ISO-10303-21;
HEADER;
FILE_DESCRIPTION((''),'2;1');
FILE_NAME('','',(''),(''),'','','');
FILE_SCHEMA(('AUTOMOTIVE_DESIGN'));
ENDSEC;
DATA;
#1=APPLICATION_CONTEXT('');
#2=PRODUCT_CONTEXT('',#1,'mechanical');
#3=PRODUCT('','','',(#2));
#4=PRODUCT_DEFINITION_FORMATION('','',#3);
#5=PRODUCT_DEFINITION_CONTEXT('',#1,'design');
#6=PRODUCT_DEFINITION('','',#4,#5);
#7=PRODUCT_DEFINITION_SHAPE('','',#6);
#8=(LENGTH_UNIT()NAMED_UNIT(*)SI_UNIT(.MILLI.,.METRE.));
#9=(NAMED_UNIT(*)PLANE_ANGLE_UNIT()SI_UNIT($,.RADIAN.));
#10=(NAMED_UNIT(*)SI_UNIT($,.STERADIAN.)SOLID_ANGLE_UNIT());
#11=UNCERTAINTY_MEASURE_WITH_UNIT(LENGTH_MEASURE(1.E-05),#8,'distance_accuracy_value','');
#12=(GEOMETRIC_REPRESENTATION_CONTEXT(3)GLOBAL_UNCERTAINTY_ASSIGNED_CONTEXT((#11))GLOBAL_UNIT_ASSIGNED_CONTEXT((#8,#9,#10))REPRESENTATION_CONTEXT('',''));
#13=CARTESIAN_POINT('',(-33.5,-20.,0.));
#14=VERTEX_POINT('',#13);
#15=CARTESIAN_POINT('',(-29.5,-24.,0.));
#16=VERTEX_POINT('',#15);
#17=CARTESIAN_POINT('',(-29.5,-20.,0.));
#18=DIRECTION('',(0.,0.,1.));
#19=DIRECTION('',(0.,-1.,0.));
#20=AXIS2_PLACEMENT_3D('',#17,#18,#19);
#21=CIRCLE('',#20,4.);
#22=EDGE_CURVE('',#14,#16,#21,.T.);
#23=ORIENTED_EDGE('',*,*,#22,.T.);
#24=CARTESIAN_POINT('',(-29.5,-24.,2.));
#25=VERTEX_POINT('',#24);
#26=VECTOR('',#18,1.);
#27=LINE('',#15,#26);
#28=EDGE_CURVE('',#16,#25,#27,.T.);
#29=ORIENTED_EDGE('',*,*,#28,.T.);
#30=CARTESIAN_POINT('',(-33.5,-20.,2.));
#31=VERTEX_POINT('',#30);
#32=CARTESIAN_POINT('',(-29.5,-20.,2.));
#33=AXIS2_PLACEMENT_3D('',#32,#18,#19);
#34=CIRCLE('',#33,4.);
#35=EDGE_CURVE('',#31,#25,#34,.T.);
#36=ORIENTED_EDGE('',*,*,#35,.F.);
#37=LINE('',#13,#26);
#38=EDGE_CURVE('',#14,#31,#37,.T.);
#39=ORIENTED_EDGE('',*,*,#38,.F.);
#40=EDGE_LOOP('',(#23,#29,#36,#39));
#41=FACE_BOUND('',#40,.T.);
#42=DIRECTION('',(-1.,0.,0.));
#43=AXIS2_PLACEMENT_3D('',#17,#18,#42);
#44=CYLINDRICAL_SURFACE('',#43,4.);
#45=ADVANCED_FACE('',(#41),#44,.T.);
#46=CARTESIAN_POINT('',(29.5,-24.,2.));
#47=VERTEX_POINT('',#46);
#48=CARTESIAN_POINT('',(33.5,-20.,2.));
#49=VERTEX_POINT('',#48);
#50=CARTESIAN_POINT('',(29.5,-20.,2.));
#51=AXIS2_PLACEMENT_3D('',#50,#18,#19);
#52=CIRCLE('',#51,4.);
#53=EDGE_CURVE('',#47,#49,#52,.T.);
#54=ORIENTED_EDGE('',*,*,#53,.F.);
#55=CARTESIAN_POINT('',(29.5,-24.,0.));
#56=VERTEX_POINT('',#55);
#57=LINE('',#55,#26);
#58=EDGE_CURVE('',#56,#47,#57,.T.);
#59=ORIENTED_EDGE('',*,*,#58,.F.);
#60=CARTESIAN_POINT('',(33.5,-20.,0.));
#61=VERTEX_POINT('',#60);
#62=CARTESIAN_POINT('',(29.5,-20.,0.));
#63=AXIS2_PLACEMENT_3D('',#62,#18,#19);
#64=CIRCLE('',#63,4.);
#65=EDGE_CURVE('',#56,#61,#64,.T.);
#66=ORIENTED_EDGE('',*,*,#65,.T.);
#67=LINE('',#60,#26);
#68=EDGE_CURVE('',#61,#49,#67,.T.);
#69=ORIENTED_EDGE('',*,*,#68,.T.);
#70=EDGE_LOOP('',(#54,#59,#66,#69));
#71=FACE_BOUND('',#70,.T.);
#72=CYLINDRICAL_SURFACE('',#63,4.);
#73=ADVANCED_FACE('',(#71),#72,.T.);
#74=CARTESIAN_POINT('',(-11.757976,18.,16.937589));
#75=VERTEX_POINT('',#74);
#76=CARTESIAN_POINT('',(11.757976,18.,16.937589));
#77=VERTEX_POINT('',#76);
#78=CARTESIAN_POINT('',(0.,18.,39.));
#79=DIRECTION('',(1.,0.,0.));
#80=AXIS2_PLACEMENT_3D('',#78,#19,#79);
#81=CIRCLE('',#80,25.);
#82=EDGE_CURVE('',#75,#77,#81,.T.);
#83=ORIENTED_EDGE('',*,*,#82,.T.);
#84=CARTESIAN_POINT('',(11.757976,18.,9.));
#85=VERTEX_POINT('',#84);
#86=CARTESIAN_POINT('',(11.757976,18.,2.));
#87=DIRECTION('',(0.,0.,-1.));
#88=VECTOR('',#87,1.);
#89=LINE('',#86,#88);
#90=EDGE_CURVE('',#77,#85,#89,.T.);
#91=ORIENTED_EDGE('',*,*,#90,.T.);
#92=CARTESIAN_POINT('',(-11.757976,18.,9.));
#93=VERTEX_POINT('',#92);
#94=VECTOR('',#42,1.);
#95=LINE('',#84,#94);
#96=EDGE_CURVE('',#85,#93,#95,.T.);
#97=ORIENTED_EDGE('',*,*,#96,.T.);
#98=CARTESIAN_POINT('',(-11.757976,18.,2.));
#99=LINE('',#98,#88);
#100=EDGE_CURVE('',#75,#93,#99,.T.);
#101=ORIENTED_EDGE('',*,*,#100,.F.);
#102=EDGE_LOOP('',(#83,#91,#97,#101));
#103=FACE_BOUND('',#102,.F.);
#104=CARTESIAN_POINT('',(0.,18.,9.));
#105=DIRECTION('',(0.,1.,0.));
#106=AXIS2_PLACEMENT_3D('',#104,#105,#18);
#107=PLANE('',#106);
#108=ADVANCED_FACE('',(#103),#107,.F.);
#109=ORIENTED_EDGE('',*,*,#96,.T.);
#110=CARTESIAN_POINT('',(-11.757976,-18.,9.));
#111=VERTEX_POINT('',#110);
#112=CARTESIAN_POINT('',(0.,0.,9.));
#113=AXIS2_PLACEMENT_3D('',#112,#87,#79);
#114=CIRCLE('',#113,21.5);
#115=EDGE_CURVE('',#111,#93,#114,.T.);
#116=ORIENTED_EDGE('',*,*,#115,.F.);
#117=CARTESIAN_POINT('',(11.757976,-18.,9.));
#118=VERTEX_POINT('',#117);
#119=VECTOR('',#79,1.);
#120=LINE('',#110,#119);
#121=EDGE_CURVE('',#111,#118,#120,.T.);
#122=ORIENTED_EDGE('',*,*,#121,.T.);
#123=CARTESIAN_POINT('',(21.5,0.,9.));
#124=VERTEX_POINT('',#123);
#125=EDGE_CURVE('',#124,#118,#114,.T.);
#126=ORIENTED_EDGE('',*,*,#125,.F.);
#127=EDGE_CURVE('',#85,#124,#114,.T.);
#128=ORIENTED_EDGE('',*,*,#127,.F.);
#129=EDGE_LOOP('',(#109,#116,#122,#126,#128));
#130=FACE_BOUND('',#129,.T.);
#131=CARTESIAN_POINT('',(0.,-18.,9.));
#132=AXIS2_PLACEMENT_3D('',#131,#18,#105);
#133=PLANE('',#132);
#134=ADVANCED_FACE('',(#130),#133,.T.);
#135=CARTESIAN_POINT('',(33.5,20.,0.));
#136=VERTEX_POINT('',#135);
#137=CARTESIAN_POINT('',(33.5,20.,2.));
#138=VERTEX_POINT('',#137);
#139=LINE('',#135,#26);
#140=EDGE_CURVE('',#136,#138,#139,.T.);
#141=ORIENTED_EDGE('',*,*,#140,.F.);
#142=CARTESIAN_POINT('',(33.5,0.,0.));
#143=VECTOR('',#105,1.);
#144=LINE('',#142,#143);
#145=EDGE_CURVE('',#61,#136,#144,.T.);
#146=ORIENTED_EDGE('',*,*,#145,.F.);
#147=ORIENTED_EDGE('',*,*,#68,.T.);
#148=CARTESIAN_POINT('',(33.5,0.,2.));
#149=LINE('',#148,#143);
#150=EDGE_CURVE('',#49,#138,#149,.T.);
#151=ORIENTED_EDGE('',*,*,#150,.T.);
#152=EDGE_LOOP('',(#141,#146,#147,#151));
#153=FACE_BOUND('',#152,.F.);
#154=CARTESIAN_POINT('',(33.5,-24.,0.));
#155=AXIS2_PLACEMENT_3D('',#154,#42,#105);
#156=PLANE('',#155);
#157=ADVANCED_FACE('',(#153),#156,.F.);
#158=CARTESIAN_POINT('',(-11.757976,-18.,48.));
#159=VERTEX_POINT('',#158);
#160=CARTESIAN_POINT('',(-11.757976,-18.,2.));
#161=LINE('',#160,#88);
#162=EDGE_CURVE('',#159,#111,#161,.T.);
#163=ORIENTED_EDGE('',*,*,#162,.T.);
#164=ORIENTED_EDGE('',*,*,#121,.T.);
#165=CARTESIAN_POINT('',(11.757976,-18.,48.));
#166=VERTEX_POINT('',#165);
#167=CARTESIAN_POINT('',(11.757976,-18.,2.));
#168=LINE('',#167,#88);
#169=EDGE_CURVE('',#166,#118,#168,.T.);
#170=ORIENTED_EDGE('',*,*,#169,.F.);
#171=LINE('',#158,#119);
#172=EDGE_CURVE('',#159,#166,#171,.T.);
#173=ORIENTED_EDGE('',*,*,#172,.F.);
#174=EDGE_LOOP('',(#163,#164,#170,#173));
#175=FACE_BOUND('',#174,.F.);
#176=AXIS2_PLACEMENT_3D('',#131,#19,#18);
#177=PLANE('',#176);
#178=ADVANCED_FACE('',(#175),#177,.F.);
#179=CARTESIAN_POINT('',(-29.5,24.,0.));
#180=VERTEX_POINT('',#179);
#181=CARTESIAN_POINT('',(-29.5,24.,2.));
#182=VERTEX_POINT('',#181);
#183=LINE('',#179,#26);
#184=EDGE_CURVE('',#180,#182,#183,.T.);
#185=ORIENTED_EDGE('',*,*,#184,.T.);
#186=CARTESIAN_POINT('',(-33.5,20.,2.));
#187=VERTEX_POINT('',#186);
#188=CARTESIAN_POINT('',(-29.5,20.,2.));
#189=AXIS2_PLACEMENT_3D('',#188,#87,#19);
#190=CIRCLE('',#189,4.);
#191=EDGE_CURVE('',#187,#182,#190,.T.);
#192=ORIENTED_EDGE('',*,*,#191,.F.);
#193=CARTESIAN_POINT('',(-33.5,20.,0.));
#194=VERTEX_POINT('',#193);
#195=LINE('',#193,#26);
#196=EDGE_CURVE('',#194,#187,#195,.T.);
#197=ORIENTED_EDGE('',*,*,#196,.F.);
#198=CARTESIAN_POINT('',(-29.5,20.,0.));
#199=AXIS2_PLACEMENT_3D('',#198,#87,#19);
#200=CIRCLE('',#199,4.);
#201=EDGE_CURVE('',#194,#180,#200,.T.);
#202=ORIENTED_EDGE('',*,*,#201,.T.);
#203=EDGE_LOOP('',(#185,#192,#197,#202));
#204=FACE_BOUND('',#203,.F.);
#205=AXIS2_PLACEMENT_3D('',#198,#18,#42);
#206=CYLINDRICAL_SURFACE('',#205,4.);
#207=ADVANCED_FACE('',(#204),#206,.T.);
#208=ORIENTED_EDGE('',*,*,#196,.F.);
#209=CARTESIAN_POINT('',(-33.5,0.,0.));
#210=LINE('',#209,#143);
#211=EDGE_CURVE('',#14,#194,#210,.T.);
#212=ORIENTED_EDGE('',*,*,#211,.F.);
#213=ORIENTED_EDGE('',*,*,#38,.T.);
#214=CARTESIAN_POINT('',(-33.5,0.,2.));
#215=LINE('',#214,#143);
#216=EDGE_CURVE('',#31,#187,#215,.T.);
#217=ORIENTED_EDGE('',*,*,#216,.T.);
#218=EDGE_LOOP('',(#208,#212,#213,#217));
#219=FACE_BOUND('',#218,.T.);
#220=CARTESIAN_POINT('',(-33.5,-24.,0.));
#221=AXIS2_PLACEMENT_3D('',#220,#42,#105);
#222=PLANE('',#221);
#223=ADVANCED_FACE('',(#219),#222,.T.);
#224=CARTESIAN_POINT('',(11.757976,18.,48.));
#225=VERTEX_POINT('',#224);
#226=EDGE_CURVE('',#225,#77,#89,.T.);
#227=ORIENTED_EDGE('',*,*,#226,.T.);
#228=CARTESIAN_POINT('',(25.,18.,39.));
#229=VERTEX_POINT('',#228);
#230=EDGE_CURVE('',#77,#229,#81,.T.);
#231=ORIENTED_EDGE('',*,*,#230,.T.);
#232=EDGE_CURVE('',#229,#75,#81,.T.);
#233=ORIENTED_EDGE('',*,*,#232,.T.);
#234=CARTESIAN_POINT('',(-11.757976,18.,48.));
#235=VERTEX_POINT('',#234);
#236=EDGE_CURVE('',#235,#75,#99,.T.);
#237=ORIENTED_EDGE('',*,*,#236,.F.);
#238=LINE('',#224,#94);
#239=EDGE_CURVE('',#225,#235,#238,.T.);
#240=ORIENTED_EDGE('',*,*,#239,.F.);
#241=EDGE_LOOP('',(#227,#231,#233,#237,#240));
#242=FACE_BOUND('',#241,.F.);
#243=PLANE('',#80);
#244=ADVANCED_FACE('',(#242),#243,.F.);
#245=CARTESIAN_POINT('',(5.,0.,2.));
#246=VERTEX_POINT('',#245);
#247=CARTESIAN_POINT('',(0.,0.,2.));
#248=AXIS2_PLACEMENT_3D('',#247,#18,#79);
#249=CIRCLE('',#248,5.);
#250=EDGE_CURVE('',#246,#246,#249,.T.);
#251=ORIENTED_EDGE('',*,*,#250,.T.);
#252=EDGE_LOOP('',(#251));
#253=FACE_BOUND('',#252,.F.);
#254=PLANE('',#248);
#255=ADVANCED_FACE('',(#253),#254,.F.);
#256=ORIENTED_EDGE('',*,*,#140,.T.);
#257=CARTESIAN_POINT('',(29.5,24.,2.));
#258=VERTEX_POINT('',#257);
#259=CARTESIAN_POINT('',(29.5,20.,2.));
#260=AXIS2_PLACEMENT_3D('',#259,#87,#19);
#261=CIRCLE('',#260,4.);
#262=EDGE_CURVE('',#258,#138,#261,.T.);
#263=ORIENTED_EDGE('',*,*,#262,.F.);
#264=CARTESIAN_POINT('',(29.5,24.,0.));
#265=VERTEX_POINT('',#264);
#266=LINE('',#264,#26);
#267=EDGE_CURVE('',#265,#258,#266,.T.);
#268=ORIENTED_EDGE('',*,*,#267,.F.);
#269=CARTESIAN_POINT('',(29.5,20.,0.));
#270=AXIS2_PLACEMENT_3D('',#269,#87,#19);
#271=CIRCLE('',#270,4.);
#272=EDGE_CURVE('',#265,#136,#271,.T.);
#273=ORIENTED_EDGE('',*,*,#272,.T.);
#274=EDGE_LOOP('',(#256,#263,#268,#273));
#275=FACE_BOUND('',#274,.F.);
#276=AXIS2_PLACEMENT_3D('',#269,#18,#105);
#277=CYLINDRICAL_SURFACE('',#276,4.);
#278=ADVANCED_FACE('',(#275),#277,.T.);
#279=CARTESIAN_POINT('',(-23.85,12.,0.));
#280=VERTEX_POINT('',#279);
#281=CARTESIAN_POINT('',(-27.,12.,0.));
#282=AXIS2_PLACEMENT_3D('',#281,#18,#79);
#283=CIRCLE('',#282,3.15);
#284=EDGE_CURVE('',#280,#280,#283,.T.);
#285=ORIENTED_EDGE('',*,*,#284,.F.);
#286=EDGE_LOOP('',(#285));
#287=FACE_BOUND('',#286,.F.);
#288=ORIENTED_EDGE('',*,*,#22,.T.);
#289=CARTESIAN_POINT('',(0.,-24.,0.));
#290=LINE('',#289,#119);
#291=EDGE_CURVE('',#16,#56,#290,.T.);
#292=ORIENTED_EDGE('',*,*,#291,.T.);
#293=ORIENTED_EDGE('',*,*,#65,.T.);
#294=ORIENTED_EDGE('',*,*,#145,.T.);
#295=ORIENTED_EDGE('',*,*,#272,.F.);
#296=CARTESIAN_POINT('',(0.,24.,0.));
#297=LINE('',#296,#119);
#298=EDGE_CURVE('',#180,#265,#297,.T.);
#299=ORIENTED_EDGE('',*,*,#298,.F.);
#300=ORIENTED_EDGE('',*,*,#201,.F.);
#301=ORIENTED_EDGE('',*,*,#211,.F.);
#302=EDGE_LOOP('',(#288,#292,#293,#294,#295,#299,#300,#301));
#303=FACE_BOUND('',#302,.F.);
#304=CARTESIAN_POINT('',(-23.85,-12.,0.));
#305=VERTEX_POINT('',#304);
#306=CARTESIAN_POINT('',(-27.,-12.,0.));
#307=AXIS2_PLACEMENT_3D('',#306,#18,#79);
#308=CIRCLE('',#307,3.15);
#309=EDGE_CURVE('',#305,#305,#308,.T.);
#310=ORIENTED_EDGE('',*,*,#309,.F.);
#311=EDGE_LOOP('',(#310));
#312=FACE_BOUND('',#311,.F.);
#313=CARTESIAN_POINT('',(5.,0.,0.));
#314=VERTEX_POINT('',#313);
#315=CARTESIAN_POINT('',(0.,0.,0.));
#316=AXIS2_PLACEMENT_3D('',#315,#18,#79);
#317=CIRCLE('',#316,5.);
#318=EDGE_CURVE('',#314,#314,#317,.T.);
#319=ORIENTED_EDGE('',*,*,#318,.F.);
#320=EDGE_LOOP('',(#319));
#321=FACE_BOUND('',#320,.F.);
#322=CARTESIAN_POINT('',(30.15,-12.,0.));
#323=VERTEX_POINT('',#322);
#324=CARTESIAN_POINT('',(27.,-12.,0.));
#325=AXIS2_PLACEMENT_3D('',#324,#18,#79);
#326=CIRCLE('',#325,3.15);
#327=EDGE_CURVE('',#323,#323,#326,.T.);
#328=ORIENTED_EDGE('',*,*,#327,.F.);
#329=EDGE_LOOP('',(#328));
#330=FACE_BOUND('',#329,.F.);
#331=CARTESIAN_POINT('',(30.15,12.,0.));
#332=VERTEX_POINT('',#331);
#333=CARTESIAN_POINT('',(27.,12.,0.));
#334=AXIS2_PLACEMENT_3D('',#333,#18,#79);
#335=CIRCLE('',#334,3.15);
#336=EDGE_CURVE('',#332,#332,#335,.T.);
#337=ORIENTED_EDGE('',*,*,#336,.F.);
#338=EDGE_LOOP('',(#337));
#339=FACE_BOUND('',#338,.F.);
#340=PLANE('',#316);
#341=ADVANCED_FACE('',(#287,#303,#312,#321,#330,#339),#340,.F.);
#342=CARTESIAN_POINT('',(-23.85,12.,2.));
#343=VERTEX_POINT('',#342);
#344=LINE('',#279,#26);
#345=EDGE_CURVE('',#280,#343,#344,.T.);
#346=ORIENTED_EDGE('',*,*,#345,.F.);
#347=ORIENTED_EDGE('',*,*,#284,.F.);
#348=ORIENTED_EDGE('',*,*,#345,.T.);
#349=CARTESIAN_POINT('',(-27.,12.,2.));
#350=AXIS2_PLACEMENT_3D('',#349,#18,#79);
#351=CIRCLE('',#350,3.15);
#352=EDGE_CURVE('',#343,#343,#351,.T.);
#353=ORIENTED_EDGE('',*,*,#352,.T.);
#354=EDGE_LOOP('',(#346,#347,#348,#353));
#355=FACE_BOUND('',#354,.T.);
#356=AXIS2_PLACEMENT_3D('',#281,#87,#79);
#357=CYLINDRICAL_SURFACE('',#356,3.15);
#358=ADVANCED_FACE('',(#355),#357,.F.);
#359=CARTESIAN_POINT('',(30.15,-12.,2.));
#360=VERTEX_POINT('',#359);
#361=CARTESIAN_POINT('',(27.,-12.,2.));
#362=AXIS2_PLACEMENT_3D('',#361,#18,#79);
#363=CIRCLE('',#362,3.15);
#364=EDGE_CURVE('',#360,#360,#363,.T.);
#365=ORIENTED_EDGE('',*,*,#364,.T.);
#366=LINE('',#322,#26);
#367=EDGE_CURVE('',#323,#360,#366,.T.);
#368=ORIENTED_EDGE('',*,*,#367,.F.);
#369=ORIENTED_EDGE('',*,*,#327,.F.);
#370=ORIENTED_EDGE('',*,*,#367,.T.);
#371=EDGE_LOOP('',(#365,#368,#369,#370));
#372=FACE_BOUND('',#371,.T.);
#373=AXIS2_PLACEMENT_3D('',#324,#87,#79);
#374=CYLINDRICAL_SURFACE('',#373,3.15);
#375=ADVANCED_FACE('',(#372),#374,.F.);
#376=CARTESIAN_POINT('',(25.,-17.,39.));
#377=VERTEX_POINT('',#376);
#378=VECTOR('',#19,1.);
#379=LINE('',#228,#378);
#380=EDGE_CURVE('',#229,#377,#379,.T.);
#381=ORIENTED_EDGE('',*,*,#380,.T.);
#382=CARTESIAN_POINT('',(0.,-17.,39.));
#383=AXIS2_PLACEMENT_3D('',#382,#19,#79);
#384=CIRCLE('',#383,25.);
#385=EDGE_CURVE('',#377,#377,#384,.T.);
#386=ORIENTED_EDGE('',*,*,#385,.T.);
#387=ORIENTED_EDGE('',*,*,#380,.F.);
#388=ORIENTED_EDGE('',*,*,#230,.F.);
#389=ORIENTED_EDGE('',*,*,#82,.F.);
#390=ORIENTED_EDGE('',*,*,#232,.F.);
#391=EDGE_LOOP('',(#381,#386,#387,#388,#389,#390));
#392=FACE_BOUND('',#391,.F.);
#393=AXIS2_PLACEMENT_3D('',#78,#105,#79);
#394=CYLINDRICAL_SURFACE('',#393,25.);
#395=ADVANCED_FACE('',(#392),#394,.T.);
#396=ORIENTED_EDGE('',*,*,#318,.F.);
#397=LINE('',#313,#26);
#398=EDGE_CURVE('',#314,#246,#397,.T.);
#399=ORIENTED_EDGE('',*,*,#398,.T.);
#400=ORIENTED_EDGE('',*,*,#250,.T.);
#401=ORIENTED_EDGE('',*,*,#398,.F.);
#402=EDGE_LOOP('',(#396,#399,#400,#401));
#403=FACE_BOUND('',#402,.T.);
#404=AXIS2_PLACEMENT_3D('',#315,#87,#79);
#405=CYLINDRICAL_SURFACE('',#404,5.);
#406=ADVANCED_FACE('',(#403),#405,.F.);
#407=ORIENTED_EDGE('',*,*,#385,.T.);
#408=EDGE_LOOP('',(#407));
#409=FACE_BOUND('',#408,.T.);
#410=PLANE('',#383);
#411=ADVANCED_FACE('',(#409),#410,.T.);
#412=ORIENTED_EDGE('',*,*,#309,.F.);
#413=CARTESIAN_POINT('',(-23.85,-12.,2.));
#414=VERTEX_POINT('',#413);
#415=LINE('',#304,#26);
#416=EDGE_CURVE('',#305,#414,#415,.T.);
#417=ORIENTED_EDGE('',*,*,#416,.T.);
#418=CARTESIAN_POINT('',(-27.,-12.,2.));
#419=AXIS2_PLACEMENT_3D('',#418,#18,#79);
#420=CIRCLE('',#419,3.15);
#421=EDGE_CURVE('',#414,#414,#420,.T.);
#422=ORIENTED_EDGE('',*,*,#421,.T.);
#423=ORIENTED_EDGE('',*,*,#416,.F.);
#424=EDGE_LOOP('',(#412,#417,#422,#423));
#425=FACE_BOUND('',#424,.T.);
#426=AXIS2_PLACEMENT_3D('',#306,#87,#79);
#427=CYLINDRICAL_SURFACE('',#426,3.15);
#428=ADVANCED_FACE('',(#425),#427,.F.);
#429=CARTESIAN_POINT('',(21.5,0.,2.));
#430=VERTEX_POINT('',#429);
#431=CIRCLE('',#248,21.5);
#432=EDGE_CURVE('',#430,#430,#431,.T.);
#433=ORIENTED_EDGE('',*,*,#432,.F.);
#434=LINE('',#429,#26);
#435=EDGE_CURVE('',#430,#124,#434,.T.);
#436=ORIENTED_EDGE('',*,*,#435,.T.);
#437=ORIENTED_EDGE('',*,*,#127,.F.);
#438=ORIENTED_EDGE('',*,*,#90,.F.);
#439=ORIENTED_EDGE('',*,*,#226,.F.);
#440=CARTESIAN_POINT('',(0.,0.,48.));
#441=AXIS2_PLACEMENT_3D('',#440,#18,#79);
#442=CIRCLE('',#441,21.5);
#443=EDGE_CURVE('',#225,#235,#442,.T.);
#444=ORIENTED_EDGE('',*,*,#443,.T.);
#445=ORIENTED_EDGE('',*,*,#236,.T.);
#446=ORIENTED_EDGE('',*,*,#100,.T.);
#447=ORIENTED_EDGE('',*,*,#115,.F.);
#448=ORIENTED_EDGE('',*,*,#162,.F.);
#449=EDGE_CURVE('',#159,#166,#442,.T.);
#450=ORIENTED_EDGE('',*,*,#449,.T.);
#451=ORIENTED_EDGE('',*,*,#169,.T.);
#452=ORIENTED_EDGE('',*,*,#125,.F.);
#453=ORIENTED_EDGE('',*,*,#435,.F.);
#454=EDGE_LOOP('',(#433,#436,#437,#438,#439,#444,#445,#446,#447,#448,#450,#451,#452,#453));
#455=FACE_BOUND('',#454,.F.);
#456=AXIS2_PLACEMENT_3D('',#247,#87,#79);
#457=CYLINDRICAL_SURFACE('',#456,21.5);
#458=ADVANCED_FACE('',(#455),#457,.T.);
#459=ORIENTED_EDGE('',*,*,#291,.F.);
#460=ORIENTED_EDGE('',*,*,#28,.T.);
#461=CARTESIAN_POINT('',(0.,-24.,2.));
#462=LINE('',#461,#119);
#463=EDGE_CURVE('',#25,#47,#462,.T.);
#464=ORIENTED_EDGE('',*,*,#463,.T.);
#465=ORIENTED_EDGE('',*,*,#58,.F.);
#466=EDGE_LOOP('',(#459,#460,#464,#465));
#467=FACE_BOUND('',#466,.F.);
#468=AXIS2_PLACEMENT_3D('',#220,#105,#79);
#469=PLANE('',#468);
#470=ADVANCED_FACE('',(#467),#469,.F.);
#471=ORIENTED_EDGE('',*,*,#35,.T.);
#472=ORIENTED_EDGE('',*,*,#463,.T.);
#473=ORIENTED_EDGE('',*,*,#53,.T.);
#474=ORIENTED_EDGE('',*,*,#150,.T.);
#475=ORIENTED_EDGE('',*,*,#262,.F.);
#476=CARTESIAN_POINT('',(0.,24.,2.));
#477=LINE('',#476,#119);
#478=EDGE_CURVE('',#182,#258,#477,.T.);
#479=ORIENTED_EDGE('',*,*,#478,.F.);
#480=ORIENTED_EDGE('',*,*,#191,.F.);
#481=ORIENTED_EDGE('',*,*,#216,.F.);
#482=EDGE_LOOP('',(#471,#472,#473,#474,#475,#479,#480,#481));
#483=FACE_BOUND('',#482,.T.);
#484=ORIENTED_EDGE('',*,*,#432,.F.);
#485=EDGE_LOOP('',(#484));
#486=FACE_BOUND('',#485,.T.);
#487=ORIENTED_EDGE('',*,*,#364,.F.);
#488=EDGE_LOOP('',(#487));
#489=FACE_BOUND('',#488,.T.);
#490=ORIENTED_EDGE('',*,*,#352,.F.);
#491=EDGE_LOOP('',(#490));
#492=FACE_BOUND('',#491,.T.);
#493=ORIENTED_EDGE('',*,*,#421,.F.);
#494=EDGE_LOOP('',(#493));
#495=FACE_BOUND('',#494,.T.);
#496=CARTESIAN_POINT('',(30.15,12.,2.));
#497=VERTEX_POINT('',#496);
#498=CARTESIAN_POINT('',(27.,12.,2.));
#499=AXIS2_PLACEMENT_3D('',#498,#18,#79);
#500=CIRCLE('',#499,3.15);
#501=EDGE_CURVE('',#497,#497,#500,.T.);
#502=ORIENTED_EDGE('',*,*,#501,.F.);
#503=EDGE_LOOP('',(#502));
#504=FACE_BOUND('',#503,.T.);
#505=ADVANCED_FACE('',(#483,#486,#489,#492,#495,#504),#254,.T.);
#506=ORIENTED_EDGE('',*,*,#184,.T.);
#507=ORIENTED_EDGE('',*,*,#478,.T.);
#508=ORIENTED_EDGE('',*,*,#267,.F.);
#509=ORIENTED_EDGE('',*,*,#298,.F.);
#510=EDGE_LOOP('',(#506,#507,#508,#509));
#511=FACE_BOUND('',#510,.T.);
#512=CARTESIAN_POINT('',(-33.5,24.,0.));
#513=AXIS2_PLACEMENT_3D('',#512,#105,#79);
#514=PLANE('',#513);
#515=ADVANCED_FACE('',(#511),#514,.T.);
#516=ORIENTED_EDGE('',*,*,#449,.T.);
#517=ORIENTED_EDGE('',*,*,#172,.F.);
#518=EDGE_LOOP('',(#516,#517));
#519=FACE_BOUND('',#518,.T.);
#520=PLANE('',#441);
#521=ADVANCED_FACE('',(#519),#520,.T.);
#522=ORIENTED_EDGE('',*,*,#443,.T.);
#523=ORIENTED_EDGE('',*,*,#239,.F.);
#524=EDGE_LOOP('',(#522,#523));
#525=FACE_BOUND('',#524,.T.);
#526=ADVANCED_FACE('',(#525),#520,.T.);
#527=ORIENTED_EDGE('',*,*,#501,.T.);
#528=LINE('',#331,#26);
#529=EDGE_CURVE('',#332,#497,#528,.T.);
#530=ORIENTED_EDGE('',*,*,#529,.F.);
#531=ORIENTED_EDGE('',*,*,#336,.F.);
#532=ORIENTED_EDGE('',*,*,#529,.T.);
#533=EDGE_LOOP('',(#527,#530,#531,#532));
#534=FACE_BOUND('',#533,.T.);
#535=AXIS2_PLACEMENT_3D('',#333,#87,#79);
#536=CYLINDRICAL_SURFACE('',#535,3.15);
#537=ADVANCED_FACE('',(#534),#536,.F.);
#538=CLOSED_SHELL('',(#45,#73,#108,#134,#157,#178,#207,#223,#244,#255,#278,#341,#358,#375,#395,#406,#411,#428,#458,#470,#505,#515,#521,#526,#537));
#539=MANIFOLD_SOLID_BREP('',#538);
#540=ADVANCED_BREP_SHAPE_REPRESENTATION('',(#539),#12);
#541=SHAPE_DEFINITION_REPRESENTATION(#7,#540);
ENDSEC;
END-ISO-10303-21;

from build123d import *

# Parameters (mm, degrees)
SKETCH_W          = 67
SKETCH_H          = 48
SKETCH_R          = 3.15
SKETCH_R_2        = 5
PAD_DEPTH         = 2
FILLET_R          = 4
SKETCH001_R       = 21.5
PAD001_DEPTH      = 46
SKETCH002_W       = 36
SKETCH002_H       = 39
POCKET_DEPTH      = 33.501
POCKET_DEPTH_BACK = -33.501
SKETCH003_R       = 25
PAD002_DEPTH      = 35


with BuildPart() as part:
    # Sketch → Pad (new body)
    with BuildSketch(Plane.XY):
        Rectangle(SKETCH_W, SKETCH_H)
        with Locations((-27, 12)):
            Circle(SKETCH_R, mode=Mode.SUBTRACT)
        with Locations((27, -12)):
            Circle(SKETCH_R, mode=Mode.SUBTRACT)
        with Locations((27, 12)):
            Circle(SKETCH_R, mode=Mode.SUBTRACT)
        with Locations((-27, -12)):
            Circle(SKETCH_R, mode=Mode.SUBTRACT)
        Circle(SKETCH_R_2, mode=Mode.SUBTRACT)
    extrude(amount=PAD_DEPTH)

    # Fillet
    fillet_edges = [part.edges().sort_by_distance(p)[0] for p in [
        (-33.5, -24, 1),
        (33.5, -24, 1),
        (33.5, 24, 1),
        (-33.5, 24, 1),
    ]]
    fillet(fillet_edges, radius=FILLET_R)

    # Sketch001 (on Face5 of Fillet) → Pad001 (join)
    with BuildSketch(Plane.XY.offset(2)):
        Circle(SKETCH001_R)
    extrude(amount=PAD001_DEPTH)

    # Sketch002 → Pocket (cut, two sides)
    with BuildSketch(Plane.YZ) as pocket_sk:
        with Locations((0, 28.5)):
            Rectangle(SKETCH002_W, SKETCH002_H)
    extrude(amount=-POCKET_DEPTH, mode=Mode.SUBTRACT)
    extrude(pocket_sk.sketch, amount=-POCKET_DEPTH_BACK, mode=Mode.SUBTRACT)

    # Sketch003 (on Face21 of Pocket) → Pad002 (join)
    with BuildSketch(Plane.XZ.offset(-18)):
        with Locations((0, 39)):
            Circle(SKETCH003_R)
    extrude(amount=PAD002_DEPTH)


solid = part.part
